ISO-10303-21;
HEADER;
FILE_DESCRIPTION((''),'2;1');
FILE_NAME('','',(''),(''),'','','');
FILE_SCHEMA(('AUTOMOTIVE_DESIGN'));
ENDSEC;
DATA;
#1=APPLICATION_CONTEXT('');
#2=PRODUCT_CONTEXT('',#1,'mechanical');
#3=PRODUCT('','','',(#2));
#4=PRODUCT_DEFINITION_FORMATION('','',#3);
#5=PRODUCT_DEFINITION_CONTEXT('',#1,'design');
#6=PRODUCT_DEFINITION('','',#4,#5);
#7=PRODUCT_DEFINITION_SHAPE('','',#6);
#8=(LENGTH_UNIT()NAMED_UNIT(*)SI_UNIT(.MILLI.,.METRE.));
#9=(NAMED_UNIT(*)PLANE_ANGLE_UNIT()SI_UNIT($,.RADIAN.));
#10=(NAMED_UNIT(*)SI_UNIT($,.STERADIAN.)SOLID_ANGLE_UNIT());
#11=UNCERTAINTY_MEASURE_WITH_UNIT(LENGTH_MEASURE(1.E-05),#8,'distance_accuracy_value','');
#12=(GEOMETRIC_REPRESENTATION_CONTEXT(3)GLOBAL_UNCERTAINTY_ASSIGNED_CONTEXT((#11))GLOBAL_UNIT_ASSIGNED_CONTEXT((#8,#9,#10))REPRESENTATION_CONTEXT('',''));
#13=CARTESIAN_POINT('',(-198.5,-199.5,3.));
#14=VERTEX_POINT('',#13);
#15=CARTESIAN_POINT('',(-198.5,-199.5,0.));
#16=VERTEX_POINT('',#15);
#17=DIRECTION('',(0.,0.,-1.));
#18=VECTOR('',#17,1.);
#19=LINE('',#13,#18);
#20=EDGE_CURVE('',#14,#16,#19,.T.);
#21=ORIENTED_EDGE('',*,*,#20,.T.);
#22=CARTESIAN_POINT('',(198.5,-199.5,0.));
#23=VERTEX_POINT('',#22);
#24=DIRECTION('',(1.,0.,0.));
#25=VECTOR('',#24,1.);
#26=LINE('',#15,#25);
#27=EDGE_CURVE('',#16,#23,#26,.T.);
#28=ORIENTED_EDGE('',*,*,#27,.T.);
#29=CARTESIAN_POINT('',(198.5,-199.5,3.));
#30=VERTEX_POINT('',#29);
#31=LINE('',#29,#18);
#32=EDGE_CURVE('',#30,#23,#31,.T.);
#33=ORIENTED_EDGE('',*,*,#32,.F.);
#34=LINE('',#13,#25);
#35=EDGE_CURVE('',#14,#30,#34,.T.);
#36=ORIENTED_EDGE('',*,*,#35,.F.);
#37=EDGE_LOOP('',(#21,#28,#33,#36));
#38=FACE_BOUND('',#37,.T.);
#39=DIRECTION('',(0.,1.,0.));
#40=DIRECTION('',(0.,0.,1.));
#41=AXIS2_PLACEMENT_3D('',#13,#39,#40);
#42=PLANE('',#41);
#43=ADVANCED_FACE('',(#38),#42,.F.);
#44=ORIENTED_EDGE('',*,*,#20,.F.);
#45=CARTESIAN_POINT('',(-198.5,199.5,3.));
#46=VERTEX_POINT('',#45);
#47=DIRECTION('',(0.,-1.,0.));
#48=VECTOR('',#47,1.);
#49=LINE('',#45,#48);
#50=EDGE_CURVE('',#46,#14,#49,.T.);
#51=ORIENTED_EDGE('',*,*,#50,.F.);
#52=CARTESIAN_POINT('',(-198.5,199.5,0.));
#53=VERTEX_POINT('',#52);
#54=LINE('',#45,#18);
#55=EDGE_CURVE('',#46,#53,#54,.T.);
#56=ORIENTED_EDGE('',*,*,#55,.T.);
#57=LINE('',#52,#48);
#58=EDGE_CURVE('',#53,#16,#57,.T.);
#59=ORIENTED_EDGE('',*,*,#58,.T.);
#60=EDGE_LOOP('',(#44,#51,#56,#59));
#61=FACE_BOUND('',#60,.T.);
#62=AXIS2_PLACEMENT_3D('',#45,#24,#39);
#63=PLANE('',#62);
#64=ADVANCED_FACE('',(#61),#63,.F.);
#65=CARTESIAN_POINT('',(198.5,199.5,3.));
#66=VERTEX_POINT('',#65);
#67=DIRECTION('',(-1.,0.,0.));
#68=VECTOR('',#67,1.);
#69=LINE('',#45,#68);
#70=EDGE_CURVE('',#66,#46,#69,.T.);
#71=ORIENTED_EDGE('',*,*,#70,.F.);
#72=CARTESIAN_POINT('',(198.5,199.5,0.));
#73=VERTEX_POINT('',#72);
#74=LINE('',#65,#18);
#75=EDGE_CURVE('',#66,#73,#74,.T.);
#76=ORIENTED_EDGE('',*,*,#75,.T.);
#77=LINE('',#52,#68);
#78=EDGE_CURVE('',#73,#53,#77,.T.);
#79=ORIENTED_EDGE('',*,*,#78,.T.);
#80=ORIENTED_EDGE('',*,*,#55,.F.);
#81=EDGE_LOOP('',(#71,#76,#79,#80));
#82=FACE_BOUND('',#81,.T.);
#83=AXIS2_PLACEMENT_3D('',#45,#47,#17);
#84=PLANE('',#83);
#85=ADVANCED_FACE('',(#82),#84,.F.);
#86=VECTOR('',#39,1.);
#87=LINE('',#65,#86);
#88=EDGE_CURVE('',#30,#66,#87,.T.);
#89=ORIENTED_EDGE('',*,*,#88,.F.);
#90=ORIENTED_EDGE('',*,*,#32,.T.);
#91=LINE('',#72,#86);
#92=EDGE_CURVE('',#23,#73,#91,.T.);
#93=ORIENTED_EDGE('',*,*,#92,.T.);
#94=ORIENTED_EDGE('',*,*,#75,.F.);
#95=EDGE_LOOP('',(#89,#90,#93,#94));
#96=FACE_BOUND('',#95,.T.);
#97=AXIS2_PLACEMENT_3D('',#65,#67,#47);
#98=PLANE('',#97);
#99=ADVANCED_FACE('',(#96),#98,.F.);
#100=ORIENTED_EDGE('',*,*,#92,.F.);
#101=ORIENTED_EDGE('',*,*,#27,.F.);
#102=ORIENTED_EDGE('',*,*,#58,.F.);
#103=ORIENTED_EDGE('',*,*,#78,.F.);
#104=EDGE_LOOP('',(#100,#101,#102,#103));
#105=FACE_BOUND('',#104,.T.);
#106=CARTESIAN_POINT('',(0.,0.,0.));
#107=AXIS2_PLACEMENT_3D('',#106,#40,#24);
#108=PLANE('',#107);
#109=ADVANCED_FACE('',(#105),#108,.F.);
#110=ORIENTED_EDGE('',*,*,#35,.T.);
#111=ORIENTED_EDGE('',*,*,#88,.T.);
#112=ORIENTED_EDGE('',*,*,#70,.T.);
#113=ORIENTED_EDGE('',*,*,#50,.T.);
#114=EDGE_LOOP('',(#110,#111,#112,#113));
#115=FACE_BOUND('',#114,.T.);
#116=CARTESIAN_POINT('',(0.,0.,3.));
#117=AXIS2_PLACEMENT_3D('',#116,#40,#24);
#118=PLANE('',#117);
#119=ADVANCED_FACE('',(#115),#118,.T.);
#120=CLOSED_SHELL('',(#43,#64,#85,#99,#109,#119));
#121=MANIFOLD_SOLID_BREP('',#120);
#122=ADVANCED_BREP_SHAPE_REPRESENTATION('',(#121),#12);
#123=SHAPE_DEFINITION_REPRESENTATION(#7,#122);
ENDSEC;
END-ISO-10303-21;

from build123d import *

# Parameters (mm, degrees)
SKETCH_1_W      = 397
SKETCH_1_H      = 399
EXTRUDE_1_DEPTH = 3


with BuildPart() as part:
    # 草圖1 → 填料-伸長1 (new body)
    with BuildSketch(Plane.XY):
        Rectangle(SKETCH_1_W, SKETCH_1_H)
    extrude(amount=EXTRUDE_1_DEPTH)


solid = part.part
